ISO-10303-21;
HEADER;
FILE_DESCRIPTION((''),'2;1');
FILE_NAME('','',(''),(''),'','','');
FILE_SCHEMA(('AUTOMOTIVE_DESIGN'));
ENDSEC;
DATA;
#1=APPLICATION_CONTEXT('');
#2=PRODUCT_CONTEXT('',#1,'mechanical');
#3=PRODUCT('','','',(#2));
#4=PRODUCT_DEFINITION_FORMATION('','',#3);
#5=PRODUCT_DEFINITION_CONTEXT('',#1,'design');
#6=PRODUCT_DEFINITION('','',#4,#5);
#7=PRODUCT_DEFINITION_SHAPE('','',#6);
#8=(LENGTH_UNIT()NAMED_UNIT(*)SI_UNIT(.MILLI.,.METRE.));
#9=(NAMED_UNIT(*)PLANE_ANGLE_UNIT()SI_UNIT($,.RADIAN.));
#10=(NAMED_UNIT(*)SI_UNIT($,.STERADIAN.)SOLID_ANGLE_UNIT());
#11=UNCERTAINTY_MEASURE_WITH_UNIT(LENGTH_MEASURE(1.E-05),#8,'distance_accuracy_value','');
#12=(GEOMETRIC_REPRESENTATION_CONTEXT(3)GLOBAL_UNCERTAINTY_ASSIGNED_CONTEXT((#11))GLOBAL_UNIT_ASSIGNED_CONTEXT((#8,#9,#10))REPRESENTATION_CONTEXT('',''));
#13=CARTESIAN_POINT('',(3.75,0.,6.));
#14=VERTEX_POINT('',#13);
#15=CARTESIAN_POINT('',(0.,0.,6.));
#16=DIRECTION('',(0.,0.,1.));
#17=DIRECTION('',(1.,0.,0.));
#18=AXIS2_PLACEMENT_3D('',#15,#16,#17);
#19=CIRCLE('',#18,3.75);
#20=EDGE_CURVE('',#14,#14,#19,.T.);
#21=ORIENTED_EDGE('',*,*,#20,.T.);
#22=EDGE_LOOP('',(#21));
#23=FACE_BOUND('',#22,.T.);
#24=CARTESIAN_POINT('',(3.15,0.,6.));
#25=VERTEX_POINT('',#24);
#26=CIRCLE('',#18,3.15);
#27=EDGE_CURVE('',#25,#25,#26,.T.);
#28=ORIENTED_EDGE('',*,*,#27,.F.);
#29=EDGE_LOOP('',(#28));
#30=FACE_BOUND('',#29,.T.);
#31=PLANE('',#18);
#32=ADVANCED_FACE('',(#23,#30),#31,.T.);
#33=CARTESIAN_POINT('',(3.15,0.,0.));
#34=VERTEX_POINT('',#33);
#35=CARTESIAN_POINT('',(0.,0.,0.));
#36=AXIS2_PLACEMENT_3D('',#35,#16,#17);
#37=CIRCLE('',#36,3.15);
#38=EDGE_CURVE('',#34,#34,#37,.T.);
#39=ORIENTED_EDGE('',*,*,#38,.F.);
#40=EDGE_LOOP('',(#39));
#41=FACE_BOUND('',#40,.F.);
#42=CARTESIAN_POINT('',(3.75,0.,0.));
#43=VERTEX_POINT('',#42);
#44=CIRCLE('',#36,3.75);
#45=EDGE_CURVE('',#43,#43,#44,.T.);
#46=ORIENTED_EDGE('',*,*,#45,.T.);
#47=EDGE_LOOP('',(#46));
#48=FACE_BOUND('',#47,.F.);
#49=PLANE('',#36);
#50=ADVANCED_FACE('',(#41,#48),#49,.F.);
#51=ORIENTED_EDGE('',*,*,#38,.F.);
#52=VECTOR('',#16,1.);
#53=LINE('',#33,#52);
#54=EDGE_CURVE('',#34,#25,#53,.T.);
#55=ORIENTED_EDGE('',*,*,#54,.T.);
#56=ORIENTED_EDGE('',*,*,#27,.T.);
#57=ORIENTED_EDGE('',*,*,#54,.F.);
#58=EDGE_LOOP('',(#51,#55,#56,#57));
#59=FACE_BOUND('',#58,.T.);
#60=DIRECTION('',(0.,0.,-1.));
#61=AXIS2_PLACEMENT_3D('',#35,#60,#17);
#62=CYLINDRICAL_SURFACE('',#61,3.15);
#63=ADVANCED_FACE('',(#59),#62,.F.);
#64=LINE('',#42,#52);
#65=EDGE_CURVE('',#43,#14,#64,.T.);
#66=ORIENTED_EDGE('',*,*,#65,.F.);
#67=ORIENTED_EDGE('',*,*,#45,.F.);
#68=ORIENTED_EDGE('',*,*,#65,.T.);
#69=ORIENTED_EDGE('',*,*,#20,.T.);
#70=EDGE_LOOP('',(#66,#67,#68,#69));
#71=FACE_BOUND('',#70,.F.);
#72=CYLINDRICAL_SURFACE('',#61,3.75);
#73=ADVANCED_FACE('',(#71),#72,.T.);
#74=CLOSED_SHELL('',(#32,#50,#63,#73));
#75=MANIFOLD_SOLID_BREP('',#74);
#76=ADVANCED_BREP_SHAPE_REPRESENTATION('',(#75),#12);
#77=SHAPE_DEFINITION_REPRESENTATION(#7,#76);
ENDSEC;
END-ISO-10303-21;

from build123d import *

# Parameters (mm, degrees)
SKETCH_R   = 3.75
SKETCH_R_2 = 3.15
PAD_DEPTH  = 6


with BuildPart() as part:
    # Sketch → Pad (new body)
    with BuildSketch(Plane.XY):
        Circle(SKETCH_R)
        Circle(SKETCH_R_2, mode=Mode.SUBTRACT)
    extrude(amount=PAD_DEPTH)


solid = part.part
